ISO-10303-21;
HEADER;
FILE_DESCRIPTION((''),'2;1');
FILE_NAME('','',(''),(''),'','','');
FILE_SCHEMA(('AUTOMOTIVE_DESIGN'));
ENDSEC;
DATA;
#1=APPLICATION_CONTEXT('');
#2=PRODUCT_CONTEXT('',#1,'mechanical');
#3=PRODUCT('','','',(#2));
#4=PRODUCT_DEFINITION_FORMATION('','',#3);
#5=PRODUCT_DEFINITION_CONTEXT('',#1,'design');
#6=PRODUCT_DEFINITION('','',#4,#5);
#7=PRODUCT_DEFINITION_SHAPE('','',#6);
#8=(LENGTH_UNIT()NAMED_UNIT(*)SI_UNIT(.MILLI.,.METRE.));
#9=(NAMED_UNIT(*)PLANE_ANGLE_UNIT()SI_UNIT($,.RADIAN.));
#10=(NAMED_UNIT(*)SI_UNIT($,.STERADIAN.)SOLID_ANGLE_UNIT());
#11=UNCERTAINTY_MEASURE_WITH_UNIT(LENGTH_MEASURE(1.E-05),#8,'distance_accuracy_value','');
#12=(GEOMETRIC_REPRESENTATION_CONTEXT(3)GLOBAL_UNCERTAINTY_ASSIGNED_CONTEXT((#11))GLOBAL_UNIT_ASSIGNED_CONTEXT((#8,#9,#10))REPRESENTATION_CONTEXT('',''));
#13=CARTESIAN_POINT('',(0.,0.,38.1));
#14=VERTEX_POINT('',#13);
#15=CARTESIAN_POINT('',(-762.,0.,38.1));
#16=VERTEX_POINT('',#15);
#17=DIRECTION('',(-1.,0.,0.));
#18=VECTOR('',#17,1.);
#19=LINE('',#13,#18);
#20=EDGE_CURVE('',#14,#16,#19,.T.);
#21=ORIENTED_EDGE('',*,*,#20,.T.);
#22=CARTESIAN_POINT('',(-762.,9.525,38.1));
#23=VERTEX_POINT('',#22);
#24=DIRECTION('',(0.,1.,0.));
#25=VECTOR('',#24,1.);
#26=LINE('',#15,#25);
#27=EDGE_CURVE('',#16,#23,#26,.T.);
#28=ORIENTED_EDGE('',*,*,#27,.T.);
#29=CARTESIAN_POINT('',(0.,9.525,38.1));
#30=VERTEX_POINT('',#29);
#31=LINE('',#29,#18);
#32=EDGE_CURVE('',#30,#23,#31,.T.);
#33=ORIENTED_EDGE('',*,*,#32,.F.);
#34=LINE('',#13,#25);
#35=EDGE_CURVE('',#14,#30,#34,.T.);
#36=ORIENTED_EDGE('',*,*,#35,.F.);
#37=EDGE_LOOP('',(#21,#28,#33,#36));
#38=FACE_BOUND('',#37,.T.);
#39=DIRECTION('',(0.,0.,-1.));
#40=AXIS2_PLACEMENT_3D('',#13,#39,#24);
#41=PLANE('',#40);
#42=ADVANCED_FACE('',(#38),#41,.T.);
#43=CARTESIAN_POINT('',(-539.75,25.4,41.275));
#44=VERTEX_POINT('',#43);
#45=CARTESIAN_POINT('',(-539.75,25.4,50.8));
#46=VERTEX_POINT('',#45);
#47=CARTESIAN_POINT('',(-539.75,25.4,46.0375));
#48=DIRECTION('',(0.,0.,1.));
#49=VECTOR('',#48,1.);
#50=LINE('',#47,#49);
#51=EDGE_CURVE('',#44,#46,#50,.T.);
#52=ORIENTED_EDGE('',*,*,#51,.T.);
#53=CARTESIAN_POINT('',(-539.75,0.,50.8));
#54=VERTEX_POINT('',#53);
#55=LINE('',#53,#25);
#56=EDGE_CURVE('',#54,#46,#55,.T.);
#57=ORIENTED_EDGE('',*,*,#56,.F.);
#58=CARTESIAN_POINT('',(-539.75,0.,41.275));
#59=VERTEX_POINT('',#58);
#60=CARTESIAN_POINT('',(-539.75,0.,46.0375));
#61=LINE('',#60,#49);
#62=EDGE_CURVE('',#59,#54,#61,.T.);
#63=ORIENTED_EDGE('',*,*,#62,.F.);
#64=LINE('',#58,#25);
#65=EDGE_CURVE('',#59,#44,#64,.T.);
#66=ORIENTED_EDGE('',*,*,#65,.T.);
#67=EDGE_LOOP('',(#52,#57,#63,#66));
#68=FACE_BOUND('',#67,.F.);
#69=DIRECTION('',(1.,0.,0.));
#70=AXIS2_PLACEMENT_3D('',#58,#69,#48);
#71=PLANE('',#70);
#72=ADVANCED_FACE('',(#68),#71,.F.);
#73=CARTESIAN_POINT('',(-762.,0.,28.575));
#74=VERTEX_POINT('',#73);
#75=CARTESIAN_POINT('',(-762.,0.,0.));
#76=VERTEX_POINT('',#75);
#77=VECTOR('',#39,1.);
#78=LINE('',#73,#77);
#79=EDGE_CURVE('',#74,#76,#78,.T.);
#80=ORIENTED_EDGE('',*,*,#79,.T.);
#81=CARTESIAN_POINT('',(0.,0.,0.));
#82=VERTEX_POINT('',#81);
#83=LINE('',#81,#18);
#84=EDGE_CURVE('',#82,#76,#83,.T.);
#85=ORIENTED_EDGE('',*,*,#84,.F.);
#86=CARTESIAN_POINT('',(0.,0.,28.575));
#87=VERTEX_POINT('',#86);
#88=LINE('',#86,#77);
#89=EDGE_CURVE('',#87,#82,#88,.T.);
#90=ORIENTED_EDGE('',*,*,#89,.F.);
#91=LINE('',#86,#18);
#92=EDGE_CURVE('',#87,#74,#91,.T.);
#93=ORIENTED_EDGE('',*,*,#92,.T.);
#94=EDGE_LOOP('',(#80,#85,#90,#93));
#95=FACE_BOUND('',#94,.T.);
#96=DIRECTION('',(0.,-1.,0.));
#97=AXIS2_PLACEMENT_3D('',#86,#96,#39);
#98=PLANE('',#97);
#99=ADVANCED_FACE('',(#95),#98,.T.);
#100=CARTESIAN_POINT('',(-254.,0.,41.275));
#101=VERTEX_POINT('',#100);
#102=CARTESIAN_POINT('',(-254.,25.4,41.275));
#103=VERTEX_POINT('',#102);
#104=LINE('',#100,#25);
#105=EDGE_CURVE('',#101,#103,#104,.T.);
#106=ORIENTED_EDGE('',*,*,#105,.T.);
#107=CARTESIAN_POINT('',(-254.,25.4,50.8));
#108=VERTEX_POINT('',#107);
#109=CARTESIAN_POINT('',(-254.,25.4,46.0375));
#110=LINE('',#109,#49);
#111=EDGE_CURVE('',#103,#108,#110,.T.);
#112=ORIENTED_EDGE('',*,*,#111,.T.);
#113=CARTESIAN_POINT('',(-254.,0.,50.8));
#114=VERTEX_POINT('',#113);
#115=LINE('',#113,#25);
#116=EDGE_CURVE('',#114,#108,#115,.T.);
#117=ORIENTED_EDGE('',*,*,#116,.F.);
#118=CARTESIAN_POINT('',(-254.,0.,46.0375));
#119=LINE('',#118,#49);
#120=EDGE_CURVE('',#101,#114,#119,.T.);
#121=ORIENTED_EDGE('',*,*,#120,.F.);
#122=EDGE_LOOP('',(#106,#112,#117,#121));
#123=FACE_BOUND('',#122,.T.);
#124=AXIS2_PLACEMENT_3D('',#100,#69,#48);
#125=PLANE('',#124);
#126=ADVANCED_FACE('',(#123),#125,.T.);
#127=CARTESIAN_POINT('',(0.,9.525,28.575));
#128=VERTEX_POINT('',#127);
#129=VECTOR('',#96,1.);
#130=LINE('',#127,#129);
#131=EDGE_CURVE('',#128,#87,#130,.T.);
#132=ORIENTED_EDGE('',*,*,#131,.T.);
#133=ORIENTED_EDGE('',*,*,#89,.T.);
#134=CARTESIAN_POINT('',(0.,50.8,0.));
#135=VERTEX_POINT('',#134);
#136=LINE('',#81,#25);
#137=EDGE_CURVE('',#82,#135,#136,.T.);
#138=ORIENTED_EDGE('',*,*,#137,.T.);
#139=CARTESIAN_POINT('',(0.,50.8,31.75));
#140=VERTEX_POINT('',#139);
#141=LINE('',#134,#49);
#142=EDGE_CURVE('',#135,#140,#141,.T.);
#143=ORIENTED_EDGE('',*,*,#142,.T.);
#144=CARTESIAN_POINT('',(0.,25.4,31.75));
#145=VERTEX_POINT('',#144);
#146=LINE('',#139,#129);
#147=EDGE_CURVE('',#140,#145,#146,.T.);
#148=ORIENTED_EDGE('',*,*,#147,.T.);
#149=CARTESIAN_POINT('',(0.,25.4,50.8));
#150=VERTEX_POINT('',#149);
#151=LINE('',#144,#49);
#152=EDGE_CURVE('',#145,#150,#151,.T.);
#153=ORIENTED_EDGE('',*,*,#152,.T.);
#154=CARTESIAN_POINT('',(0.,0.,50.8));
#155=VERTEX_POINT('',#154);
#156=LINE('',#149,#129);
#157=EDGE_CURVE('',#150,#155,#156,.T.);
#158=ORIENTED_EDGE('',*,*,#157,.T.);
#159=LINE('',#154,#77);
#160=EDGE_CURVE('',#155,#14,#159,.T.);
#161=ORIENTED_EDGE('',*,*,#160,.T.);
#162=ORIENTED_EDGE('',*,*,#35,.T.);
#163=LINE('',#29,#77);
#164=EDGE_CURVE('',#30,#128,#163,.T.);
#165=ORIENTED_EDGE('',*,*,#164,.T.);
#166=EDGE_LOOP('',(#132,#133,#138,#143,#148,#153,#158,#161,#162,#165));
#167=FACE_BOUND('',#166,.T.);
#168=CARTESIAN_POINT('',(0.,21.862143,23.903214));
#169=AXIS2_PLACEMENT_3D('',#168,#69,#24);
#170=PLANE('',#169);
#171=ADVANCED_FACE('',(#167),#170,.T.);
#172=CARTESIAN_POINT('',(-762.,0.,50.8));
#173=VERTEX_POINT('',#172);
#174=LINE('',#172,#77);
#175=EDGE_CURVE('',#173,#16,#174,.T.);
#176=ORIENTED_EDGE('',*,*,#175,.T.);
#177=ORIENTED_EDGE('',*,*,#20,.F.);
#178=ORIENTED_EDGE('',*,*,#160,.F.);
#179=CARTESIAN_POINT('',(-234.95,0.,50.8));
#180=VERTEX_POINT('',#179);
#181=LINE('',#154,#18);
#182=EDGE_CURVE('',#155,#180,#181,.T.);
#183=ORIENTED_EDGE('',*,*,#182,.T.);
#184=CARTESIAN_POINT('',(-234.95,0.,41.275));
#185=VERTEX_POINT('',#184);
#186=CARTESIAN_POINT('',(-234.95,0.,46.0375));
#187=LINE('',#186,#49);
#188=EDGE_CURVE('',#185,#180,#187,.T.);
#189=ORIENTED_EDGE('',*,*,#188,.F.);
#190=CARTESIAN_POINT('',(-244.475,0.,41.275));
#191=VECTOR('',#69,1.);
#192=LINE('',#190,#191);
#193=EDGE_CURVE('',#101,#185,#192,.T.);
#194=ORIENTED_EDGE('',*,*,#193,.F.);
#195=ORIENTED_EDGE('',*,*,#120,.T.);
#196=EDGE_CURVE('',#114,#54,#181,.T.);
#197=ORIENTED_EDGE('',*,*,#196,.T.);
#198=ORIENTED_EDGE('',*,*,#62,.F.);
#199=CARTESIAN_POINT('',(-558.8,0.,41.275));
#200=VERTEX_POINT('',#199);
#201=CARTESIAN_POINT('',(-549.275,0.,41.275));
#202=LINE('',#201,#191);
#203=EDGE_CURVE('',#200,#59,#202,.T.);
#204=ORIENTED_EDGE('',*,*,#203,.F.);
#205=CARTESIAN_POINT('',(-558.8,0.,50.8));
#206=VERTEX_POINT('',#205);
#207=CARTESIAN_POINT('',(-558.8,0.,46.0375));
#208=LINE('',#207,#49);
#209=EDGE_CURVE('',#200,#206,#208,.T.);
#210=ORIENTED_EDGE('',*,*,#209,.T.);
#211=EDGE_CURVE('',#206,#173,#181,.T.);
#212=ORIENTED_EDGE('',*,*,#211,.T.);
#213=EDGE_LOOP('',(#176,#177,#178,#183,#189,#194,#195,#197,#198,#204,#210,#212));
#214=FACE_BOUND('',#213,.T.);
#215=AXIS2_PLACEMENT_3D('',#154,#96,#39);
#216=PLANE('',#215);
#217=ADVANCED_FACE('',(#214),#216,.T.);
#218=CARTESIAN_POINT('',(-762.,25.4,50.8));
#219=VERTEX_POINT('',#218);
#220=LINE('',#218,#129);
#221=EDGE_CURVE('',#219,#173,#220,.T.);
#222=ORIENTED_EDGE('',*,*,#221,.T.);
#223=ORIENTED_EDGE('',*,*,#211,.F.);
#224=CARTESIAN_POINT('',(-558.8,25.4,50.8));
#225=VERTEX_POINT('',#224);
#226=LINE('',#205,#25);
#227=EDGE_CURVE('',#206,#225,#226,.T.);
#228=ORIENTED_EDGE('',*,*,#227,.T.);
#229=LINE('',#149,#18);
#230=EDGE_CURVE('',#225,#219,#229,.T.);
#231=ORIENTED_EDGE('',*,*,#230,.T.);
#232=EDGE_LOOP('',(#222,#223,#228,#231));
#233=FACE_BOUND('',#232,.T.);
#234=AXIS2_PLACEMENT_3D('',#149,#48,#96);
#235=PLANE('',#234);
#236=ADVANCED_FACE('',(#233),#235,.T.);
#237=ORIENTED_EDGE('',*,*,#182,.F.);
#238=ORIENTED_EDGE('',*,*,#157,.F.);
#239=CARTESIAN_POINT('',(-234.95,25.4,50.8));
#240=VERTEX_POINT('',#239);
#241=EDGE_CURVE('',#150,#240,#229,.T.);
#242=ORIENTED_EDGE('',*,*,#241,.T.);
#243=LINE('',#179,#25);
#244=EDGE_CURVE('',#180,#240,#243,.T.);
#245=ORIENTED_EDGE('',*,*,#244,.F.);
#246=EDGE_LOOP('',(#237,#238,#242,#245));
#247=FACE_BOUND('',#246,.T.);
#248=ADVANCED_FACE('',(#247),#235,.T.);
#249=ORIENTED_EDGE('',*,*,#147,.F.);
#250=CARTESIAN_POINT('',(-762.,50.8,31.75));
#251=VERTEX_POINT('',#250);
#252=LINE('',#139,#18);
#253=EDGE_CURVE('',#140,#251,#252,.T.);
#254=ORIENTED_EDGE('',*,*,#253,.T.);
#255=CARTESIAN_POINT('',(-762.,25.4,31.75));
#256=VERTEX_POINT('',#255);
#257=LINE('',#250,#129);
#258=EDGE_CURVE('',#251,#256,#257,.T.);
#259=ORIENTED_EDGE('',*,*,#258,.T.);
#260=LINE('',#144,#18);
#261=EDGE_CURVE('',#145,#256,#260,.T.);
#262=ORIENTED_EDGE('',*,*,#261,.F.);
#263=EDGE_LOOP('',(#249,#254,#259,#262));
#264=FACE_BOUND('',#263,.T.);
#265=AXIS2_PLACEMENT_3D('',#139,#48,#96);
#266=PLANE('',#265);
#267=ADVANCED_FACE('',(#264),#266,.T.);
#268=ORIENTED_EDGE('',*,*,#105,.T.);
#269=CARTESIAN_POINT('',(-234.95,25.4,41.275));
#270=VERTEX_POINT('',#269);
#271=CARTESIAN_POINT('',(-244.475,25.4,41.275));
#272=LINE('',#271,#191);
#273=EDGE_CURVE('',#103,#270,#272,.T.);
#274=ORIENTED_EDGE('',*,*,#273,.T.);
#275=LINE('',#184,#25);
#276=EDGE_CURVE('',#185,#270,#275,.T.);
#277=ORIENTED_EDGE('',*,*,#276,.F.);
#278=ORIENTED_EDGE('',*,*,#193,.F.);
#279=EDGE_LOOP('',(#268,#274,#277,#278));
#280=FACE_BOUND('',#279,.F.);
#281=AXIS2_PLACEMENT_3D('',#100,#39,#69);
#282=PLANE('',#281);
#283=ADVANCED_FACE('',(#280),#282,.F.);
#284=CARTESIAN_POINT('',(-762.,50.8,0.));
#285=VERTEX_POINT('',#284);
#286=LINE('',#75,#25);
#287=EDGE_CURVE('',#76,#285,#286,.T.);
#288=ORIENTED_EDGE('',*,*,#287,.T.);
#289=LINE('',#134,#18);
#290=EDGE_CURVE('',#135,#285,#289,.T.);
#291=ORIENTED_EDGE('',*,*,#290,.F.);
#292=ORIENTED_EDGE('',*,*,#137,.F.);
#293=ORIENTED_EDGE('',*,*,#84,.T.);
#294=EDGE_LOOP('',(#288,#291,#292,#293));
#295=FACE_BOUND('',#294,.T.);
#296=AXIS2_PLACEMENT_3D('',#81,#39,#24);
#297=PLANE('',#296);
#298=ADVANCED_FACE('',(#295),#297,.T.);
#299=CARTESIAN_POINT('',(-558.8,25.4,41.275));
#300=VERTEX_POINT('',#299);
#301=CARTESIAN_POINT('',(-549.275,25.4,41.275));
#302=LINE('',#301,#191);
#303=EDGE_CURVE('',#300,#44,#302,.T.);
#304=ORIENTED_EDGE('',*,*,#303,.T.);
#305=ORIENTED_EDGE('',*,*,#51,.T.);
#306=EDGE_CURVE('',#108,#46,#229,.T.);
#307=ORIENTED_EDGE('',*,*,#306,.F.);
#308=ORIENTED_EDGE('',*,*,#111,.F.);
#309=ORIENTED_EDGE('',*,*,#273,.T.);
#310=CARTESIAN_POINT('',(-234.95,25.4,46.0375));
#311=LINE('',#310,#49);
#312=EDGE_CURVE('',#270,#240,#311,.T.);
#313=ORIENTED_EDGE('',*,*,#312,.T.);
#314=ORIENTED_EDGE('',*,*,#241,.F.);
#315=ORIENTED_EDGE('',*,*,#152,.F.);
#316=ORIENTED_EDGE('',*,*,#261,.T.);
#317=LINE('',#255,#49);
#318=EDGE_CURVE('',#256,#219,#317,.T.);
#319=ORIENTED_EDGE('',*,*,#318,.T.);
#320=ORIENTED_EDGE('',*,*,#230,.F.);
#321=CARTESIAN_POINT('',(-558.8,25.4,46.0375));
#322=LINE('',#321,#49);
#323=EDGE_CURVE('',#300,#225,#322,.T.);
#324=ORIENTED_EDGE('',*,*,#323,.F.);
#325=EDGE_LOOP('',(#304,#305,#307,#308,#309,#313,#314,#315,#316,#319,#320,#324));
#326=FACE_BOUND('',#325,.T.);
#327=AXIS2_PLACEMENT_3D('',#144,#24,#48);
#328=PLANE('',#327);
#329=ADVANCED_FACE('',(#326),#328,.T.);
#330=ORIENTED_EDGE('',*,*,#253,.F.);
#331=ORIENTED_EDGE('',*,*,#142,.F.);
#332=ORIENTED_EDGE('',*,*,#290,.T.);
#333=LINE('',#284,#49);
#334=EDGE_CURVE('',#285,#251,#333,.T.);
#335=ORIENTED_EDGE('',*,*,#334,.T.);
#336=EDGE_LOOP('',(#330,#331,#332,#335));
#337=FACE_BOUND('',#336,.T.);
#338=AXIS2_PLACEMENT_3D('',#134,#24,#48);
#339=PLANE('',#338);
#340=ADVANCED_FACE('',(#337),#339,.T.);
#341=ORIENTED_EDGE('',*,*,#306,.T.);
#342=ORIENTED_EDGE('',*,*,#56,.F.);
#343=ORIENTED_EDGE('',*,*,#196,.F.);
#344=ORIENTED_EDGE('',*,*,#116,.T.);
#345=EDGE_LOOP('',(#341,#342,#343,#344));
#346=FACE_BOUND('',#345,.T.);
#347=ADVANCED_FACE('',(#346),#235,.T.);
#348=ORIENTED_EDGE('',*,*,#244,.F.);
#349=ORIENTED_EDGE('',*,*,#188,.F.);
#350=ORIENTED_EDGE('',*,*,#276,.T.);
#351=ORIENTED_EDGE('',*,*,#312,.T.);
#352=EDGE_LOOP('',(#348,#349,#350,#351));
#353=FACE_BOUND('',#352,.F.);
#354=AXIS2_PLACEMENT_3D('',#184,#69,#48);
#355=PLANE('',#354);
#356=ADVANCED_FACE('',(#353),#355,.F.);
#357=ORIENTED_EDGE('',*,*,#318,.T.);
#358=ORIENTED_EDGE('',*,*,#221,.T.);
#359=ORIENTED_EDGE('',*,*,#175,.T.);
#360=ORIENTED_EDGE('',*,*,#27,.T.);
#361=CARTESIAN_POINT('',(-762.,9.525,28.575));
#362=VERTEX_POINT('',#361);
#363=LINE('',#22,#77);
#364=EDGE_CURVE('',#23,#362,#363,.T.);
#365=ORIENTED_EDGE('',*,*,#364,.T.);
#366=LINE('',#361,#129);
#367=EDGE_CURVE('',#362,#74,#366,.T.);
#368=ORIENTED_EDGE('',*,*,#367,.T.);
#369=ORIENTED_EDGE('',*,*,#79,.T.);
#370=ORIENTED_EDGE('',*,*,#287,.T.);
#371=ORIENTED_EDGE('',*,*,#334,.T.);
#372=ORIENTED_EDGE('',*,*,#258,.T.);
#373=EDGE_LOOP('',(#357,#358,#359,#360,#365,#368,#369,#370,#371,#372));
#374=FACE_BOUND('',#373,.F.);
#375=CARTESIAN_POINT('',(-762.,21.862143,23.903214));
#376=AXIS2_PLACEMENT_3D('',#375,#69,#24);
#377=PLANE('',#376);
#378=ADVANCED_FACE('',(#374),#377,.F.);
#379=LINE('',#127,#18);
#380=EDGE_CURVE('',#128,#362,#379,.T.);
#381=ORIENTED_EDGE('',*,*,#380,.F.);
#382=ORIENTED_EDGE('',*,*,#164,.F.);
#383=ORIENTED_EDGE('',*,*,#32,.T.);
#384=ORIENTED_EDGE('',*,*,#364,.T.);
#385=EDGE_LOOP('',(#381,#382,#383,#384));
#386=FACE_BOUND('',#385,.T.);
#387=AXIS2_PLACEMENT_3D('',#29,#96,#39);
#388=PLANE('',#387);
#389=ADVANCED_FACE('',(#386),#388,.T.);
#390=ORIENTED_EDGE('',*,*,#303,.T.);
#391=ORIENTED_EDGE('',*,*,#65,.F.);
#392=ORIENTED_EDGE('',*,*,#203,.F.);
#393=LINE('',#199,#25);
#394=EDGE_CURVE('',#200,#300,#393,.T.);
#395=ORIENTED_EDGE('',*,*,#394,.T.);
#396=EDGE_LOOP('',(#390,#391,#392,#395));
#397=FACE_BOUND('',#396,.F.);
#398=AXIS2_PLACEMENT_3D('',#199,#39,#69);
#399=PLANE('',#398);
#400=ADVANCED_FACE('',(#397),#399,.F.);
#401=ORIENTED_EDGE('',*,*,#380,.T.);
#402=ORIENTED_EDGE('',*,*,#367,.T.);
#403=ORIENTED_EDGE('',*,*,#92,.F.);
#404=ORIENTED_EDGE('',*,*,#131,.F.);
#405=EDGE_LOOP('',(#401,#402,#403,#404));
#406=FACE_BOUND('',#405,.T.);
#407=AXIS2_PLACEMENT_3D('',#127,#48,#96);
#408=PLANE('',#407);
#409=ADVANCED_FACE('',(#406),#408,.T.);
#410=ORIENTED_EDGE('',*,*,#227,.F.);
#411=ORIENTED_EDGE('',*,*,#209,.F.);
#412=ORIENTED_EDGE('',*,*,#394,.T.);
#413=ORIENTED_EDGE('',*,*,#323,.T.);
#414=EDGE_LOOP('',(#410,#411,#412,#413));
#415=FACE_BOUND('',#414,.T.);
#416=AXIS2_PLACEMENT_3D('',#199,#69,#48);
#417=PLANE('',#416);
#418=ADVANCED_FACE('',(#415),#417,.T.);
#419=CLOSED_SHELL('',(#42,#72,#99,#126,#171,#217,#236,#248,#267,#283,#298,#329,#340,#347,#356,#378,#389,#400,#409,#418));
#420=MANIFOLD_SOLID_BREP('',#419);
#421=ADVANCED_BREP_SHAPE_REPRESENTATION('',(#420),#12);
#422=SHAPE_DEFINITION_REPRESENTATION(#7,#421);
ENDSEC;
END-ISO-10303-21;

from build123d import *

# Parameters (mm, degrees)
F1_DEPTH = 762
F2_W     = 19.05
F2_H     = 9.525
F3_DEPTH = 25.4


with BuildPart() as f1:
    # F0 (on Right) → F1 (new body)
    with BuildSketch(Plane.YZ):
        Polygon((0, 28.575), (0, 0), (50.8, 0), (50.8, 31.75), (25.4, 31.75), (25.4, 50.8), (0, 50.8), (0, 38.1), (9.525, 38.1), (9.525, 28.575), align=None)
    extrude(amount=-F1_DEPTH)

    # F2 (on face) → F3 (cut)
    with BuildSketch(Plane.XZ):
        with Locations((-549.275, 46.0375)):
            Rectangle(F2_W, F2_H)
        with Locations((-244.475, 46.0375)):
            Rectangle(F2_W, F2_H)
    extrude(amount=-F3_DEPTH, mode=Mode.SUBTRACT)


solid = f1.part
